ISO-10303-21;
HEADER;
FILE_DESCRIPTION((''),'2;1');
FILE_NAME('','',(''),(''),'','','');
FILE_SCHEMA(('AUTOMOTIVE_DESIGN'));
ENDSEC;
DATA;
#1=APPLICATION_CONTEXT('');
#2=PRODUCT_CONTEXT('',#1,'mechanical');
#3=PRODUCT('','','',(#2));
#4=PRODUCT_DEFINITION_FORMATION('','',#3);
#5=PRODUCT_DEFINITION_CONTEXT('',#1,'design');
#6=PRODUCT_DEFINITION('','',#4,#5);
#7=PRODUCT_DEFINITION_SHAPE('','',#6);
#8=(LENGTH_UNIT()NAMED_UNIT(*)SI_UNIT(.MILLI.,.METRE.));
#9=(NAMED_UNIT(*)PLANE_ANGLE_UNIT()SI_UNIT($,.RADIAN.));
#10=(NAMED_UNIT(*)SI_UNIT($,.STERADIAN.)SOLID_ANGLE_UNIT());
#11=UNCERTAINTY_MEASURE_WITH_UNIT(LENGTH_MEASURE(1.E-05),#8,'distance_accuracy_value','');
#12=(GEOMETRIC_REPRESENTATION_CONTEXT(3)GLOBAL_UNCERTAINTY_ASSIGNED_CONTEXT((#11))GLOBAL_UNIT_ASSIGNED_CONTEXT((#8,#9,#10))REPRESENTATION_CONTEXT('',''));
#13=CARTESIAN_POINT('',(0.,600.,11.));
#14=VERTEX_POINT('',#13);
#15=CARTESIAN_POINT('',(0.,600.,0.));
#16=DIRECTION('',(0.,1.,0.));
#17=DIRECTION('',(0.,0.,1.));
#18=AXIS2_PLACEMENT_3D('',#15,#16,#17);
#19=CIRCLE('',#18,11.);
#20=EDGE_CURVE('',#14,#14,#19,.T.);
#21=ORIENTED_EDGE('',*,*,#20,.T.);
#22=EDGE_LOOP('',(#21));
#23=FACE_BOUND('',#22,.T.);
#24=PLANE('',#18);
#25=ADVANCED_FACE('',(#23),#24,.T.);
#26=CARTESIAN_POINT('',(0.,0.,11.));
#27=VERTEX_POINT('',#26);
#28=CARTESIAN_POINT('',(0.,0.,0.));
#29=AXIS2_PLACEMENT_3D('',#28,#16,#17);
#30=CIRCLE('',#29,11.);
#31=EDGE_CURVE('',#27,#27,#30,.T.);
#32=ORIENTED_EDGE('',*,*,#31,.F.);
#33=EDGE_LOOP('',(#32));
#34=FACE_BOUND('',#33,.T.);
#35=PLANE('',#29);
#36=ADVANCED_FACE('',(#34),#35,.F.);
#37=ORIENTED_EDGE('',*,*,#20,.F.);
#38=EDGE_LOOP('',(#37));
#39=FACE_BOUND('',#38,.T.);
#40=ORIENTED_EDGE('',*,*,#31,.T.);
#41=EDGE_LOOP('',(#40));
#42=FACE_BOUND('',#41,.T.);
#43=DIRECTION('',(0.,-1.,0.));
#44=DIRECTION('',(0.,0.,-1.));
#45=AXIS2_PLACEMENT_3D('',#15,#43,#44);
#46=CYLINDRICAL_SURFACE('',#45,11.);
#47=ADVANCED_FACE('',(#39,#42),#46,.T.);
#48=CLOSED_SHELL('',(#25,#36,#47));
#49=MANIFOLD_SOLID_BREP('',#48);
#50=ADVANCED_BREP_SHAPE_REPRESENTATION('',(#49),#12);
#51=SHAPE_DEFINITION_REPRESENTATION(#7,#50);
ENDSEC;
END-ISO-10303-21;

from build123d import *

# Parameters (mm, degrees)
SKETCH1_R           = 11
BOSS_EXTRUDE1_DEPTH = 600


with BuildPart() as part:
    # Sketch1 → Boss-Extrude1 (new body)
    with BuildSketch(Plane(origin=(0, 0, 0), x_dir=(1, 0, 0), z_dir=(0, 1, 0))):
        Circle(SKETCH1_R)
    extrude(amount=BOSS_EXTRUDE1_DEPTH)


solid = part.part
